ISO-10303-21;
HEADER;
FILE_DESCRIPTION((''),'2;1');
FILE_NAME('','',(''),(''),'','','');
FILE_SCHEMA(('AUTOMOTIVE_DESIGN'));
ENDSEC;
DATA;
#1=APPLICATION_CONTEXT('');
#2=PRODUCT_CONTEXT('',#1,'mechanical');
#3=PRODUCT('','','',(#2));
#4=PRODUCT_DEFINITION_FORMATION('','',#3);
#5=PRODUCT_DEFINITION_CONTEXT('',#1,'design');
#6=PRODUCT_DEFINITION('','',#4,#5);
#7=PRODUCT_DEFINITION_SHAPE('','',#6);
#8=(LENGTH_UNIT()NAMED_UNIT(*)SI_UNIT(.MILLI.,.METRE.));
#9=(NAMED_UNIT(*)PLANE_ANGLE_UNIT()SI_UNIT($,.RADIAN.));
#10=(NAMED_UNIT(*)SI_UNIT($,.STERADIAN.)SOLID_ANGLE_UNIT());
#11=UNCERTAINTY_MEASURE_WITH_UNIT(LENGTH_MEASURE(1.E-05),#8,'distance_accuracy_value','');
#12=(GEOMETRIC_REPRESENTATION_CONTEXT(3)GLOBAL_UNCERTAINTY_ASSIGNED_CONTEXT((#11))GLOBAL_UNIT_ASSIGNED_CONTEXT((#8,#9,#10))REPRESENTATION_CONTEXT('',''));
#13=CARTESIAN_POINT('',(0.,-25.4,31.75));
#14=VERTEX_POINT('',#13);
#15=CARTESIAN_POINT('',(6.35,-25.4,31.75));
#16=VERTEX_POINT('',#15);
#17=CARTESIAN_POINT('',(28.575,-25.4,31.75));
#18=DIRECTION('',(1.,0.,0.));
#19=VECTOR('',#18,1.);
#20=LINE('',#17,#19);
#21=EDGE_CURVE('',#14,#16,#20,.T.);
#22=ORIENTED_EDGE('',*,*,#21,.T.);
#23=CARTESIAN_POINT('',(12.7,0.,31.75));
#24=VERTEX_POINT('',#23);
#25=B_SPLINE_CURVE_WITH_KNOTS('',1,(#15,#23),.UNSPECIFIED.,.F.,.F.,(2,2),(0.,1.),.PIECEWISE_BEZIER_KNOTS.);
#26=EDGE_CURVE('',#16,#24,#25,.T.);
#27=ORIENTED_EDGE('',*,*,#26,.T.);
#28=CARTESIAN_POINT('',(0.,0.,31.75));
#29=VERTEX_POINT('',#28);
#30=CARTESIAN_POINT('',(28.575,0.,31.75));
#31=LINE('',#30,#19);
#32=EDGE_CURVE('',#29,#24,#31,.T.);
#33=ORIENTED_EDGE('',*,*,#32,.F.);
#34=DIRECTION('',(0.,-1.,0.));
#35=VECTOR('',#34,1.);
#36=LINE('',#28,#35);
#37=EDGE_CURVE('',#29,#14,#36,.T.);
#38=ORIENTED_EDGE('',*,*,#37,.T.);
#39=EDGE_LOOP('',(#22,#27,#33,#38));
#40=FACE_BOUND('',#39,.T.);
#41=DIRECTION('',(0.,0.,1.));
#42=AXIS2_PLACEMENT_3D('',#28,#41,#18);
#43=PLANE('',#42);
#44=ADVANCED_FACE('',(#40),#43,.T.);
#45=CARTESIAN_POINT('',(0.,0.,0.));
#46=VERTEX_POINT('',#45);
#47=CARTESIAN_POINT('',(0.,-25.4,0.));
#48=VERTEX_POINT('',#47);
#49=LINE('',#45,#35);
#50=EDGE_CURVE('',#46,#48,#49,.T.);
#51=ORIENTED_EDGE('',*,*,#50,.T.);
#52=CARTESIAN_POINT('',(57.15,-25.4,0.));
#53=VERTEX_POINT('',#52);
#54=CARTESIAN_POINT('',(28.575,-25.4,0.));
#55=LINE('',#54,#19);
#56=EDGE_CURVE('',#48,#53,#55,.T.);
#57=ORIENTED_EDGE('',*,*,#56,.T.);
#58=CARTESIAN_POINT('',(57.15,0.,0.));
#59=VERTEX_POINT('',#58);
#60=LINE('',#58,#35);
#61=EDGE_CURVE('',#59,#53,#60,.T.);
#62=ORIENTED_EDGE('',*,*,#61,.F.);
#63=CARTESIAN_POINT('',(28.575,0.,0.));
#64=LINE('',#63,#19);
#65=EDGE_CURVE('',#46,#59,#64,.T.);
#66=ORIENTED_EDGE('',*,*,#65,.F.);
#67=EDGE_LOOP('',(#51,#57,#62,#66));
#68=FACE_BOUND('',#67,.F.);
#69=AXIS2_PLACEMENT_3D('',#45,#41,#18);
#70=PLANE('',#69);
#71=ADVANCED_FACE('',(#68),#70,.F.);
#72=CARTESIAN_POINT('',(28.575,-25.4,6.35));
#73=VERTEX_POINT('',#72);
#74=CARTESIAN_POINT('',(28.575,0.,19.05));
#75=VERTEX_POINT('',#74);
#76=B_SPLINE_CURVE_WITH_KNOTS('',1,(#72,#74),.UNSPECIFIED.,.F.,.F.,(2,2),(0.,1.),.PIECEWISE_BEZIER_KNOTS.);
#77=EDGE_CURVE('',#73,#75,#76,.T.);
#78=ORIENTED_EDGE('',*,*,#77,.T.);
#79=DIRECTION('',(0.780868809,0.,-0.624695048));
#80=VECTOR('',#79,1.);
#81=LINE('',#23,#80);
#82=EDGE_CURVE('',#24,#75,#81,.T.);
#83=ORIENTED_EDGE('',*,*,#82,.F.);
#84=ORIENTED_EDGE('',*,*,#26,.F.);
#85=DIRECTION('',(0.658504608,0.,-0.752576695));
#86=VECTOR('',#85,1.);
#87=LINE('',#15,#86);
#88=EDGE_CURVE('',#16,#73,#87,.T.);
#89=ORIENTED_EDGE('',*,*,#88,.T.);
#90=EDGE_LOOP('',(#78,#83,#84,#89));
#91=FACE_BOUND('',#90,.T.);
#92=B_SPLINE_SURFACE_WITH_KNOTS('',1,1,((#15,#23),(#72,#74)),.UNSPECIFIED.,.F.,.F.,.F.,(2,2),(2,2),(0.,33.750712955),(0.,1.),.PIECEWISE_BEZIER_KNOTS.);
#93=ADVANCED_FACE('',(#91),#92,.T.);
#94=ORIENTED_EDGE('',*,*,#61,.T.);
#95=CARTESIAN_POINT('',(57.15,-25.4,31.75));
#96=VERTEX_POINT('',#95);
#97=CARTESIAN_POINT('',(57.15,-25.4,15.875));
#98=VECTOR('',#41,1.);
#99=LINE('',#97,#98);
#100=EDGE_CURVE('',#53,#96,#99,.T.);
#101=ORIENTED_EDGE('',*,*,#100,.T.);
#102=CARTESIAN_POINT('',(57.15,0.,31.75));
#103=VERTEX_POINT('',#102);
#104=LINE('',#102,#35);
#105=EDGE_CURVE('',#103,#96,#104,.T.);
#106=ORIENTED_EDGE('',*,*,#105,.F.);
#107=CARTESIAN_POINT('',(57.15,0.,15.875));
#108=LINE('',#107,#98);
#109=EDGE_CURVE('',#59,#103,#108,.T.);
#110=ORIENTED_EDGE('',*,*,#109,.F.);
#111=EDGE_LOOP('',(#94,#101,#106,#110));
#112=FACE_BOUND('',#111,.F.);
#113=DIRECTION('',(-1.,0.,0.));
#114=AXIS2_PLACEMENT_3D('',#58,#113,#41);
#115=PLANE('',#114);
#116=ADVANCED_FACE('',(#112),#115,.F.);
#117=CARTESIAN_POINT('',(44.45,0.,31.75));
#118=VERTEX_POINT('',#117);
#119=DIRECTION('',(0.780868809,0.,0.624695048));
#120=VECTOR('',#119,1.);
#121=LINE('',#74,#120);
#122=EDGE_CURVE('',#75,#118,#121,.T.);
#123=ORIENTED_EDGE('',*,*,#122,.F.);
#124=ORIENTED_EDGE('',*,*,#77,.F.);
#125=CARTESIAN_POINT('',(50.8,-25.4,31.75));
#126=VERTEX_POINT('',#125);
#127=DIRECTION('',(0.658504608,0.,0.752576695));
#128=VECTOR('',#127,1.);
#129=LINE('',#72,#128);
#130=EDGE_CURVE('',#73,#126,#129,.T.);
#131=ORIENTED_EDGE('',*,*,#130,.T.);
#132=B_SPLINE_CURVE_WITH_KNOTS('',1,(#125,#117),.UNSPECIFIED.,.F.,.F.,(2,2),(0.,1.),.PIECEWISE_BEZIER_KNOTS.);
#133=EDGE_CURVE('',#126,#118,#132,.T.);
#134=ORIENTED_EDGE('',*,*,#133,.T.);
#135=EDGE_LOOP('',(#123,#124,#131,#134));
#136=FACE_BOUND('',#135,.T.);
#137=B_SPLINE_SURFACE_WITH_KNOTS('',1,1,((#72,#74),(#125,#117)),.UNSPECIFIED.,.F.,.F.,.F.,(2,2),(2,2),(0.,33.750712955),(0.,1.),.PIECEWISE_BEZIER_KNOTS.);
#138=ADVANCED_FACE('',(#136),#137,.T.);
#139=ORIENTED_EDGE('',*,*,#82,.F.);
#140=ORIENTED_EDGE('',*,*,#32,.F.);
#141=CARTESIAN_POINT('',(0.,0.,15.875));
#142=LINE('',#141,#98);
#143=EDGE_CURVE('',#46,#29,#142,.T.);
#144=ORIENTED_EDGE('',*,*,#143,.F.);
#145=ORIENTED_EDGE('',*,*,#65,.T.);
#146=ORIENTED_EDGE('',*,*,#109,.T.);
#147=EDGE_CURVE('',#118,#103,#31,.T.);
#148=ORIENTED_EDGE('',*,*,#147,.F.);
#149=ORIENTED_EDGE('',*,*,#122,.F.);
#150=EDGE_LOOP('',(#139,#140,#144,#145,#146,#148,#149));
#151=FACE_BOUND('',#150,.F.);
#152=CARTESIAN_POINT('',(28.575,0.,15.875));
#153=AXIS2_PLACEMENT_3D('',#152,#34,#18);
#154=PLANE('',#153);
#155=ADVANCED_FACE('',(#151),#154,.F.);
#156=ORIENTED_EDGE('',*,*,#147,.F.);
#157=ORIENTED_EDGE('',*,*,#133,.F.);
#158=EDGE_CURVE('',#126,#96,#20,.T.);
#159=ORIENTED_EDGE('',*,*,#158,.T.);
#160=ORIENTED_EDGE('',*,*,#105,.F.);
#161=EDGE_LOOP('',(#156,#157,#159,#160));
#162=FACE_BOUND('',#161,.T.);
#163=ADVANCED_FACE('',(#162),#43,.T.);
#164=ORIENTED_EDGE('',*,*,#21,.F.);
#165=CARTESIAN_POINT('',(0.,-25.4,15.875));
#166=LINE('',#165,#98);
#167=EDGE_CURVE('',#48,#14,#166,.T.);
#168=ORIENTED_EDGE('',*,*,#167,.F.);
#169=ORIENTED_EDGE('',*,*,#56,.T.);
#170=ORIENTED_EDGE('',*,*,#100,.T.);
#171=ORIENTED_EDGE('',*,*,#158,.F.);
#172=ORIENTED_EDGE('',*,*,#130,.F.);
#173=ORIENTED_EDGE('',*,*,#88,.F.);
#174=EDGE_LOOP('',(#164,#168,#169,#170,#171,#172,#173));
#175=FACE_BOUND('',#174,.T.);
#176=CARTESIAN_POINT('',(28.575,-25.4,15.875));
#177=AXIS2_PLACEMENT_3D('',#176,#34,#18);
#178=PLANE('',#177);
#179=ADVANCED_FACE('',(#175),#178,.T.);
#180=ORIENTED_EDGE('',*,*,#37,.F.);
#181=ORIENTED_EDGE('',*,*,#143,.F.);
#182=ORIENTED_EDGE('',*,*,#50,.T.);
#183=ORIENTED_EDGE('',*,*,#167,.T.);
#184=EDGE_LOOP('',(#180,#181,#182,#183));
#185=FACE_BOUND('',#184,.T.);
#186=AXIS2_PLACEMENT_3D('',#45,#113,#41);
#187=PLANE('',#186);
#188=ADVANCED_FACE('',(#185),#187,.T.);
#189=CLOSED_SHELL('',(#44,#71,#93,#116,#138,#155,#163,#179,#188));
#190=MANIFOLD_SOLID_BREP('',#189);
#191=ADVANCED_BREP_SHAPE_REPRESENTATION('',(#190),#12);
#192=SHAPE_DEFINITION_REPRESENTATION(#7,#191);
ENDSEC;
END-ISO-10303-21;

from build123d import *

# Parameters (mm, degrees)
F0_W     = 57.15
F0_H     = 31.75
F1_DEPTH = 25.4


with BuildPart() as f1:
    # F0 (on Front) → F1 (new body)
    with BuildSketch(Plane.XZ):
        with Locations((28.575, 15.875)):
            Rectangle(F0_W, F0_H)
    extrude(amount=F1_DEPTH)

    # F4 (on offset) → F5 section 0
    with BuildSketch(Plane.XZ.offset(25.4)):
        Polygon((50.8, 31.75), (6.35, 31.75), (28.575, 6.35), align=None)
    # F2 (on Front) → F5 section 1
    with BuildSketch(Plane.XZ):
        Polygon((44.45, 31.75), (12.7, 31.75), (28.575, 19.05), align=None)
    loft(mode=Mode.SUBTRACT)


solid = f1.part
